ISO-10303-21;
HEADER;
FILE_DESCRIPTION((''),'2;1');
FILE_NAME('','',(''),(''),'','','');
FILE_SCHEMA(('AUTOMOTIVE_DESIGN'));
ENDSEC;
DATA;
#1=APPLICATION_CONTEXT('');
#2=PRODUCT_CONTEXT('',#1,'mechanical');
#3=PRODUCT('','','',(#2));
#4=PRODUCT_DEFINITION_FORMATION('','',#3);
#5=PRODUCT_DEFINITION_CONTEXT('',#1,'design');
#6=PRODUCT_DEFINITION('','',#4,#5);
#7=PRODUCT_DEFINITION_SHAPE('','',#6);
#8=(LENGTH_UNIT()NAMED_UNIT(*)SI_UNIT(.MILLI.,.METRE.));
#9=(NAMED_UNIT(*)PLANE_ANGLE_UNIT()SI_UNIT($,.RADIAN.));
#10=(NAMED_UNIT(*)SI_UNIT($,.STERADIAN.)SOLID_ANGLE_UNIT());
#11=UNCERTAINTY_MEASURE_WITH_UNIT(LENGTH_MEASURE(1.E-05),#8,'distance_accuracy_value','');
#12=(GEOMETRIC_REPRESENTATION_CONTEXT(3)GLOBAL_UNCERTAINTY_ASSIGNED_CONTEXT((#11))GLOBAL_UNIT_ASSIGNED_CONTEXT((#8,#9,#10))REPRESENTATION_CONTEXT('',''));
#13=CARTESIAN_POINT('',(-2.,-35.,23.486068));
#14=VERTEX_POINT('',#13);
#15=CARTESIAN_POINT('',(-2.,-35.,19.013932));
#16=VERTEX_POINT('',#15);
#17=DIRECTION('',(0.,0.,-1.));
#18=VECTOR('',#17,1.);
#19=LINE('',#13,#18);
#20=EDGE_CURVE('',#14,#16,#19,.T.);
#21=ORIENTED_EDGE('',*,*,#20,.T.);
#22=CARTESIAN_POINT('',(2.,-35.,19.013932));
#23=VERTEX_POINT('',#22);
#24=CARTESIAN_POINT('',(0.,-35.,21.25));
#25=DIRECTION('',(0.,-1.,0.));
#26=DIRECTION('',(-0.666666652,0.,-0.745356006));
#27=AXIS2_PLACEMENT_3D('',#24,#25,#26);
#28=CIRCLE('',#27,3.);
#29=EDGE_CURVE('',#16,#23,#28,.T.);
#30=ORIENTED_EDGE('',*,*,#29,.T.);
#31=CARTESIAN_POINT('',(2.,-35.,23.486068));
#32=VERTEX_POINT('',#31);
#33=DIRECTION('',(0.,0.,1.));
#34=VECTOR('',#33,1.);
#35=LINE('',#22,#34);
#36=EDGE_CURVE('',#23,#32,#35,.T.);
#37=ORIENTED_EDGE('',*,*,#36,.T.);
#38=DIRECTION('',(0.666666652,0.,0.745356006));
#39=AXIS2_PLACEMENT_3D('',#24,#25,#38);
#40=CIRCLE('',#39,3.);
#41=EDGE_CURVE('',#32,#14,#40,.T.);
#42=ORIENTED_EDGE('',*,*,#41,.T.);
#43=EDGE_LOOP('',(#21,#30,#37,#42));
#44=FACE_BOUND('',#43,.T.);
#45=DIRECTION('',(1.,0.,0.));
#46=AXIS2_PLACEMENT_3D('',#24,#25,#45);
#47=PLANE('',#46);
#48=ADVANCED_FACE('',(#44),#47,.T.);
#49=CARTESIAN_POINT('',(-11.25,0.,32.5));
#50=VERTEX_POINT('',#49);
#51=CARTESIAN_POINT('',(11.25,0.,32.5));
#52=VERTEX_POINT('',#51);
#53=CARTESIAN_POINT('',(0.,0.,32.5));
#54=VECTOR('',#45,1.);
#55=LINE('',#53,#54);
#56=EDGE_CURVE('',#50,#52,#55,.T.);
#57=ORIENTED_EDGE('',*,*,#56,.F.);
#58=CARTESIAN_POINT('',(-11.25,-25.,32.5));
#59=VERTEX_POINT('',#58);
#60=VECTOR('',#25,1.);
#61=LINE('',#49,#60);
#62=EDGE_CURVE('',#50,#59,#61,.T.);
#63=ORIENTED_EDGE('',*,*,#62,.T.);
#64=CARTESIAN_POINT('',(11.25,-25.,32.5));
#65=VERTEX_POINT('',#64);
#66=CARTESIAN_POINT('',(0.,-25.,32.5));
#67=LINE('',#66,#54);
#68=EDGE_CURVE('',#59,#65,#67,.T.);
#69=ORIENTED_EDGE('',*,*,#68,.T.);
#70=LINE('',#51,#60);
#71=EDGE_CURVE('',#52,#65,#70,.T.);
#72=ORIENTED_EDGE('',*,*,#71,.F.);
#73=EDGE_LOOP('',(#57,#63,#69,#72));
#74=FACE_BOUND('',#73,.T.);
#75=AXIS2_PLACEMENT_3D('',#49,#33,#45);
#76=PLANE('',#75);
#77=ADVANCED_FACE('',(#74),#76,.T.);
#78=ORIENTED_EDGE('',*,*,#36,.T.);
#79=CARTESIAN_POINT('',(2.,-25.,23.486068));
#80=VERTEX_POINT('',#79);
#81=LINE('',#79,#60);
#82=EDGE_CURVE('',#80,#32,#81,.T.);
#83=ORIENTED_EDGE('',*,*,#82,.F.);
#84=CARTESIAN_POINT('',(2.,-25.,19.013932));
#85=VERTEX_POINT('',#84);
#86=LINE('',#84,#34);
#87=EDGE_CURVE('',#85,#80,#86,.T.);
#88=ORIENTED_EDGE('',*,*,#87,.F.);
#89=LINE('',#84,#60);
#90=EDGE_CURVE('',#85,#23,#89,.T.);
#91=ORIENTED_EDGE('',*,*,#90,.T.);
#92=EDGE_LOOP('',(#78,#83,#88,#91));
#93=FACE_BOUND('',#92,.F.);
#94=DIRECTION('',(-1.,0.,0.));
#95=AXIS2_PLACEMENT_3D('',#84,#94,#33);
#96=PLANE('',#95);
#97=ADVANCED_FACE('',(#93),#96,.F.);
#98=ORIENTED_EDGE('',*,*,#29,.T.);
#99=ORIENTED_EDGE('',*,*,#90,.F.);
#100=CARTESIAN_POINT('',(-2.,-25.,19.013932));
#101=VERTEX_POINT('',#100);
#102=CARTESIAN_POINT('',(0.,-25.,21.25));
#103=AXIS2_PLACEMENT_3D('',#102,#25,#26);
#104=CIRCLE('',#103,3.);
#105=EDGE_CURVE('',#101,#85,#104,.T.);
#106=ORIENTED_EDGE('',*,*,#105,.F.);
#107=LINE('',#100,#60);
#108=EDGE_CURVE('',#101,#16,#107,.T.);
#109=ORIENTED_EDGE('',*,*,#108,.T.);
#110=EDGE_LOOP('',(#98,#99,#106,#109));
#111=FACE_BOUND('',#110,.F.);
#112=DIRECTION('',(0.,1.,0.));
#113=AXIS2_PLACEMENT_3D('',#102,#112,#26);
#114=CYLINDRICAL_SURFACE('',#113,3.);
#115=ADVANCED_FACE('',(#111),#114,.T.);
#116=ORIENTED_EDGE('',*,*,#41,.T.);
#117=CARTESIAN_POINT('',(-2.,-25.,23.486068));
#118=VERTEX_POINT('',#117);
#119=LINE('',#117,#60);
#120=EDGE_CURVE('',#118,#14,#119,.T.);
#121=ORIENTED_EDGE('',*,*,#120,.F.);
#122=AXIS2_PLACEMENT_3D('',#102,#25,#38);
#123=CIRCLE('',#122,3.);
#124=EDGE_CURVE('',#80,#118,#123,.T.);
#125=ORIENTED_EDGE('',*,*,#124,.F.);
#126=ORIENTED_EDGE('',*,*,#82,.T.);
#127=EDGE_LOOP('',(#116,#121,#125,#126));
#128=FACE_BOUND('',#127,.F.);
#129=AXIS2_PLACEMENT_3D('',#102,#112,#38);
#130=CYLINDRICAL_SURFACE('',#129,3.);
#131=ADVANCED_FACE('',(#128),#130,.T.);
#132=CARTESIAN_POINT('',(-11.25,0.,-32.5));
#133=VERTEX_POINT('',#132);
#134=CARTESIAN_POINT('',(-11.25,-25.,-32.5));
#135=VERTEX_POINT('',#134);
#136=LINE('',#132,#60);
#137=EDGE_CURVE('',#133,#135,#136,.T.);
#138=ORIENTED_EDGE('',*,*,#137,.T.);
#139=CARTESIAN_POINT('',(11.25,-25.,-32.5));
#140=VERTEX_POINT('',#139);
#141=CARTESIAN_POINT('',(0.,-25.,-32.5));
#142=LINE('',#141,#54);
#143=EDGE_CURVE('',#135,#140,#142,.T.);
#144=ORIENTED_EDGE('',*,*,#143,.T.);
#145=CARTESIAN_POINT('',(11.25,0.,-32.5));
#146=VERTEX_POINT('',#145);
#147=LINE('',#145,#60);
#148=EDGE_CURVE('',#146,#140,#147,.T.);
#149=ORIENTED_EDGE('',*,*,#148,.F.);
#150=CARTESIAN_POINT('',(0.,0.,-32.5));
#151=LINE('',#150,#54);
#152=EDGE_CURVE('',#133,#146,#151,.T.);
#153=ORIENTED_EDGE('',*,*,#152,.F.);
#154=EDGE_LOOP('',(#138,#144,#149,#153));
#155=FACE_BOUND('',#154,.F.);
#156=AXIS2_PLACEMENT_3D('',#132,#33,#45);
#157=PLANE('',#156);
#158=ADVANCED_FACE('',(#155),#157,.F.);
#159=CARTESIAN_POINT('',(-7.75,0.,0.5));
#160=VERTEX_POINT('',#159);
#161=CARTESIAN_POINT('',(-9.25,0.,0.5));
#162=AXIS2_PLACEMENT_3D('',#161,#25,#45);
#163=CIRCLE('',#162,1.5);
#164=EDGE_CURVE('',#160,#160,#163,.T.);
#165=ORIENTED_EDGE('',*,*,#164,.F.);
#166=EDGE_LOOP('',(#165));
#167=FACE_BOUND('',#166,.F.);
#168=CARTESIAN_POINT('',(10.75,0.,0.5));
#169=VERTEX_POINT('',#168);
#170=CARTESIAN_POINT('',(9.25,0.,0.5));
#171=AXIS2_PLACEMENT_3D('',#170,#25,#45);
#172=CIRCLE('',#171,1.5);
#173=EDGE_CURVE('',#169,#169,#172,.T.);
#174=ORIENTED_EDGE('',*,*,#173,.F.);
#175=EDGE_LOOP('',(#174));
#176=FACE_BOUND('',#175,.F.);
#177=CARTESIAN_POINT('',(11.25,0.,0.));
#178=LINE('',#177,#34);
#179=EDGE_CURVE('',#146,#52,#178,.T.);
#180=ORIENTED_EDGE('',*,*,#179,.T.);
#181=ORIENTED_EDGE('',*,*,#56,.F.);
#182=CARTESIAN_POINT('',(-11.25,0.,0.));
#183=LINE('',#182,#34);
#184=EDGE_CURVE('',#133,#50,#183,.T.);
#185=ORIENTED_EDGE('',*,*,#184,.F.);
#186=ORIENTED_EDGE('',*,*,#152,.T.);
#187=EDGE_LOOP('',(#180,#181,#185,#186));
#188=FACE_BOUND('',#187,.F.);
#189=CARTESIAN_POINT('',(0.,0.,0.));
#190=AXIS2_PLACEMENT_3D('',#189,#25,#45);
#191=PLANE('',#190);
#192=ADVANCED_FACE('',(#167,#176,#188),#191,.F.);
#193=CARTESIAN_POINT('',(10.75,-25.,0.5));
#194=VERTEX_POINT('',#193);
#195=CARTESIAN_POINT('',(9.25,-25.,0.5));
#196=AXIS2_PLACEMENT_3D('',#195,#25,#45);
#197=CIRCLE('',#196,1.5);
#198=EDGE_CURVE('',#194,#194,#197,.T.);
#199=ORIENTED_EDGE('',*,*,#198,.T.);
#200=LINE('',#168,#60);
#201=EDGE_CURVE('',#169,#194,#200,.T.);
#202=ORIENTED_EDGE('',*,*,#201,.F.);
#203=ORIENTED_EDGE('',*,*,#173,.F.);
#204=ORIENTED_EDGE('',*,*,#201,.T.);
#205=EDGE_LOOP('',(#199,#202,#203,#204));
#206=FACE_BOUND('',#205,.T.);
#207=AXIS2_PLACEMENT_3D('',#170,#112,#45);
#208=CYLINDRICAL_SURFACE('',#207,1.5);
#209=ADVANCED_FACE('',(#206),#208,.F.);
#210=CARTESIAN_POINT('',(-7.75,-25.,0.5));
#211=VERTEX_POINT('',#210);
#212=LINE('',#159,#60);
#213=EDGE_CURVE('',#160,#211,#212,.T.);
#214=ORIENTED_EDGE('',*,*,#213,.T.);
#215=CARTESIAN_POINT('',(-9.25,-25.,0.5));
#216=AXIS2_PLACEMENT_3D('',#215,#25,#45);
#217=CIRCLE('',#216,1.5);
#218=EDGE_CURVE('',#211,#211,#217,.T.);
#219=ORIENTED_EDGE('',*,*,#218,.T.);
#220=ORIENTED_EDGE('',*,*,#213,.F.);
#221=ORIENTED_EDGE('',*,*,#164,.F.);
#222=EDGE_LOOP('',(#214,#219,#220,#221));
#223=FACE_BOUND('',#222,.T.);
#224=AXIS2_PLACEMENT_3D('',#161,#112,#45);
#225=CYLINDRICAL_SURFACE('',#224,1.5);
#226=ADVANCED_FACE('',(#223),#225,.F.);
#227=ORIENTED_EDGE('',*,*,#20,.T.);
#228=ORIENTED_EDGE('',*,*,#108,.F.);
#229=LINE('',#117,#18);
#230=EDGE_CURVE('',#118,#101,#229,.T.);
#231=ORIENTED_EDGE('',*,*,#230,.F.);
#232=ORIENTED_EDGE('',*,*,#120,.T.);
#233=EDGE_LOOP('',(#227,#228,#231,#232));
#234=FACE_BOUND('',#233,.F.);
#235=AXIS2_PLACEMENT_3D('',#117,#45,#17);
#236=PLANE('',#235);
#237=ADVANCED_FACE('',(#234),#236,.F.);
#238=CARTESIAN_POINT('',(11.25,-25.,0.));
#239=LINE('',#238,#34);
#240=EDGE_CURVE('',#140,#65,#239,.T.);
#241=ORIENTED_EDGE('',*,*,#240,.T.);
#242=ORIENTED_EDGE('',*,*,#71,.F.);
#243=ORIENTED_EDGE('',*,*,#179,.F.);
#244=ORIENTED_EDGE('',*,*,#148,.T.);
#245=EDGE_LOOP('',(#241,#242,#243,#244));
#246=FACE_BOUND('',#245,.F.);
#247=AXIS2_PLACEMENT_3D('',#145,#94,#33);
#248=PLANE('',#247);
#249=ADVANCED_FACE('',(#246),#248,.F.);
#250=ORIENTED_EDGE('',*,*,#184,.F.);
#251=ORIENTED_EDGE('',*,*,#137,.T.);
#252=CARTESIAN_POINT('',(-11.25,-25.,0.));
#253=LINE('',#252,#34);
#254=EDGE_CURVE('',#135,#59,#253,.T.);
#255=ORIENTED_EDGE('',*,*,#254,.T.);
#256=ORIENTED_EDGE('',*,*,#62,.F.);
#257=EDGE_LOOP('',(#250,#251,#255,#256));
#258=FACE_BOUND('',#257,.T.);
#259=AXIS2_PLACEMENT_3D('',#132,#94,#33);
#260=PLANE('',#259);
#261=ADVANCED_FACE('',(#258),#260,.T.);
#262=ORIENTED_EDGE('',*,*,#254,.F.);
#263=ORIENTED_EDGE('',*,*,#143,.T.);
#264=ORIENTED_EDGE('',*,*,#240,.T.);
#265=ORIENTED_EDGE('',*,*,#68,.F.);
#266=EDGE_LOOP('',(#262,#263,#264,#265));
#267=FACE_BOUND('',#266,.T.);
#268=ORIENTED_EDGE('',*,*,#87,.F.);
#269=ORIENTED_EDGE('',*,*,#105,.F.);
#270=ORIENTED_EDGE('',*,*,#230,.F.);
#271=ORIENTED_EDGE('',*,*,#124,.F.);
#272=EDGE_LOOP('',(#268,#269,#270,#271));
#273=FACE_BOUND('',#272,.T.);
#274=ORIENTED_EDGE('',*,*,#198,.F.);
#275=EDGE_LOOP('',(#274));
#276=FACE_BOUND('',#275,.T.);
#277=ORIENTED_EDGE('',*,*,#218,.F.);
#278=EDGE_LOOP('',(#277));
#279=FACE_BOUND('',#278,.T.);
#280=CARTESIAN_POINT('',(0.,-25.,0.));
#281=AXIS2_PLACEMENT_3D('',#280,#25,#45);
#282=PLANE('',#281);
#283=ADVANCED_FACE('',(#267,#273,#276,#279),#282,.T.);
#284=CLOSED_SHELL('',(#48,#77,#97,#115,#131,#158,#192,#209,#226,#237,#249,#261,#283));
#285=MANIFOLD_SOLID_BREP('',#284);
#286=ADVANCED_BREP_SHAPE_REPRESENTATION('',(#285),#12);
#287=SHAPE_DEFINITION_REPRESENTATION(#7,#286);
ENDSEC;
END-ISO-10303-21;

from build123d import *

# Parameters (mm, degrees)
F0_W     = 22.5
F0_H     = 65
F0_R     = 1.5
F1_DEPTH = 25
F3_DEPTH = 10


with BuildPart() as f1:
    # F0 (on Front) → F1 (new body)
    with BuildSketch(Plane.XZ):
        Rectangle(F0_W, F0_H)
        with Locations((-9.25, 0.5)):
            Circle(F0_R, mode=Mode.SUBTRACT)
        with Locations((9.25, 0.5)):
            Circle(F0_R, mode=Mode.SUBTRACT)
    extrude(amount=F1_DEPTH)

    # F2 (on face) → F3 (join)
    with BuildSketch(Plane.XZ.offset(25)):
        with BuildLine():
            Line((2, 19.013932), (2, 23.486068))
            ThreePointArc((2, 23.486068), (0, 24.25), (-2, 23.486068))
            Line((-2, 23.486068), (-2, 19.013932))
            ThreePointArc((-2, 19.013932), (0, 18.25), (2, 19.013932))
        make_face()
    extrude(amount=F3_DEPTH)


solid = f1.part
